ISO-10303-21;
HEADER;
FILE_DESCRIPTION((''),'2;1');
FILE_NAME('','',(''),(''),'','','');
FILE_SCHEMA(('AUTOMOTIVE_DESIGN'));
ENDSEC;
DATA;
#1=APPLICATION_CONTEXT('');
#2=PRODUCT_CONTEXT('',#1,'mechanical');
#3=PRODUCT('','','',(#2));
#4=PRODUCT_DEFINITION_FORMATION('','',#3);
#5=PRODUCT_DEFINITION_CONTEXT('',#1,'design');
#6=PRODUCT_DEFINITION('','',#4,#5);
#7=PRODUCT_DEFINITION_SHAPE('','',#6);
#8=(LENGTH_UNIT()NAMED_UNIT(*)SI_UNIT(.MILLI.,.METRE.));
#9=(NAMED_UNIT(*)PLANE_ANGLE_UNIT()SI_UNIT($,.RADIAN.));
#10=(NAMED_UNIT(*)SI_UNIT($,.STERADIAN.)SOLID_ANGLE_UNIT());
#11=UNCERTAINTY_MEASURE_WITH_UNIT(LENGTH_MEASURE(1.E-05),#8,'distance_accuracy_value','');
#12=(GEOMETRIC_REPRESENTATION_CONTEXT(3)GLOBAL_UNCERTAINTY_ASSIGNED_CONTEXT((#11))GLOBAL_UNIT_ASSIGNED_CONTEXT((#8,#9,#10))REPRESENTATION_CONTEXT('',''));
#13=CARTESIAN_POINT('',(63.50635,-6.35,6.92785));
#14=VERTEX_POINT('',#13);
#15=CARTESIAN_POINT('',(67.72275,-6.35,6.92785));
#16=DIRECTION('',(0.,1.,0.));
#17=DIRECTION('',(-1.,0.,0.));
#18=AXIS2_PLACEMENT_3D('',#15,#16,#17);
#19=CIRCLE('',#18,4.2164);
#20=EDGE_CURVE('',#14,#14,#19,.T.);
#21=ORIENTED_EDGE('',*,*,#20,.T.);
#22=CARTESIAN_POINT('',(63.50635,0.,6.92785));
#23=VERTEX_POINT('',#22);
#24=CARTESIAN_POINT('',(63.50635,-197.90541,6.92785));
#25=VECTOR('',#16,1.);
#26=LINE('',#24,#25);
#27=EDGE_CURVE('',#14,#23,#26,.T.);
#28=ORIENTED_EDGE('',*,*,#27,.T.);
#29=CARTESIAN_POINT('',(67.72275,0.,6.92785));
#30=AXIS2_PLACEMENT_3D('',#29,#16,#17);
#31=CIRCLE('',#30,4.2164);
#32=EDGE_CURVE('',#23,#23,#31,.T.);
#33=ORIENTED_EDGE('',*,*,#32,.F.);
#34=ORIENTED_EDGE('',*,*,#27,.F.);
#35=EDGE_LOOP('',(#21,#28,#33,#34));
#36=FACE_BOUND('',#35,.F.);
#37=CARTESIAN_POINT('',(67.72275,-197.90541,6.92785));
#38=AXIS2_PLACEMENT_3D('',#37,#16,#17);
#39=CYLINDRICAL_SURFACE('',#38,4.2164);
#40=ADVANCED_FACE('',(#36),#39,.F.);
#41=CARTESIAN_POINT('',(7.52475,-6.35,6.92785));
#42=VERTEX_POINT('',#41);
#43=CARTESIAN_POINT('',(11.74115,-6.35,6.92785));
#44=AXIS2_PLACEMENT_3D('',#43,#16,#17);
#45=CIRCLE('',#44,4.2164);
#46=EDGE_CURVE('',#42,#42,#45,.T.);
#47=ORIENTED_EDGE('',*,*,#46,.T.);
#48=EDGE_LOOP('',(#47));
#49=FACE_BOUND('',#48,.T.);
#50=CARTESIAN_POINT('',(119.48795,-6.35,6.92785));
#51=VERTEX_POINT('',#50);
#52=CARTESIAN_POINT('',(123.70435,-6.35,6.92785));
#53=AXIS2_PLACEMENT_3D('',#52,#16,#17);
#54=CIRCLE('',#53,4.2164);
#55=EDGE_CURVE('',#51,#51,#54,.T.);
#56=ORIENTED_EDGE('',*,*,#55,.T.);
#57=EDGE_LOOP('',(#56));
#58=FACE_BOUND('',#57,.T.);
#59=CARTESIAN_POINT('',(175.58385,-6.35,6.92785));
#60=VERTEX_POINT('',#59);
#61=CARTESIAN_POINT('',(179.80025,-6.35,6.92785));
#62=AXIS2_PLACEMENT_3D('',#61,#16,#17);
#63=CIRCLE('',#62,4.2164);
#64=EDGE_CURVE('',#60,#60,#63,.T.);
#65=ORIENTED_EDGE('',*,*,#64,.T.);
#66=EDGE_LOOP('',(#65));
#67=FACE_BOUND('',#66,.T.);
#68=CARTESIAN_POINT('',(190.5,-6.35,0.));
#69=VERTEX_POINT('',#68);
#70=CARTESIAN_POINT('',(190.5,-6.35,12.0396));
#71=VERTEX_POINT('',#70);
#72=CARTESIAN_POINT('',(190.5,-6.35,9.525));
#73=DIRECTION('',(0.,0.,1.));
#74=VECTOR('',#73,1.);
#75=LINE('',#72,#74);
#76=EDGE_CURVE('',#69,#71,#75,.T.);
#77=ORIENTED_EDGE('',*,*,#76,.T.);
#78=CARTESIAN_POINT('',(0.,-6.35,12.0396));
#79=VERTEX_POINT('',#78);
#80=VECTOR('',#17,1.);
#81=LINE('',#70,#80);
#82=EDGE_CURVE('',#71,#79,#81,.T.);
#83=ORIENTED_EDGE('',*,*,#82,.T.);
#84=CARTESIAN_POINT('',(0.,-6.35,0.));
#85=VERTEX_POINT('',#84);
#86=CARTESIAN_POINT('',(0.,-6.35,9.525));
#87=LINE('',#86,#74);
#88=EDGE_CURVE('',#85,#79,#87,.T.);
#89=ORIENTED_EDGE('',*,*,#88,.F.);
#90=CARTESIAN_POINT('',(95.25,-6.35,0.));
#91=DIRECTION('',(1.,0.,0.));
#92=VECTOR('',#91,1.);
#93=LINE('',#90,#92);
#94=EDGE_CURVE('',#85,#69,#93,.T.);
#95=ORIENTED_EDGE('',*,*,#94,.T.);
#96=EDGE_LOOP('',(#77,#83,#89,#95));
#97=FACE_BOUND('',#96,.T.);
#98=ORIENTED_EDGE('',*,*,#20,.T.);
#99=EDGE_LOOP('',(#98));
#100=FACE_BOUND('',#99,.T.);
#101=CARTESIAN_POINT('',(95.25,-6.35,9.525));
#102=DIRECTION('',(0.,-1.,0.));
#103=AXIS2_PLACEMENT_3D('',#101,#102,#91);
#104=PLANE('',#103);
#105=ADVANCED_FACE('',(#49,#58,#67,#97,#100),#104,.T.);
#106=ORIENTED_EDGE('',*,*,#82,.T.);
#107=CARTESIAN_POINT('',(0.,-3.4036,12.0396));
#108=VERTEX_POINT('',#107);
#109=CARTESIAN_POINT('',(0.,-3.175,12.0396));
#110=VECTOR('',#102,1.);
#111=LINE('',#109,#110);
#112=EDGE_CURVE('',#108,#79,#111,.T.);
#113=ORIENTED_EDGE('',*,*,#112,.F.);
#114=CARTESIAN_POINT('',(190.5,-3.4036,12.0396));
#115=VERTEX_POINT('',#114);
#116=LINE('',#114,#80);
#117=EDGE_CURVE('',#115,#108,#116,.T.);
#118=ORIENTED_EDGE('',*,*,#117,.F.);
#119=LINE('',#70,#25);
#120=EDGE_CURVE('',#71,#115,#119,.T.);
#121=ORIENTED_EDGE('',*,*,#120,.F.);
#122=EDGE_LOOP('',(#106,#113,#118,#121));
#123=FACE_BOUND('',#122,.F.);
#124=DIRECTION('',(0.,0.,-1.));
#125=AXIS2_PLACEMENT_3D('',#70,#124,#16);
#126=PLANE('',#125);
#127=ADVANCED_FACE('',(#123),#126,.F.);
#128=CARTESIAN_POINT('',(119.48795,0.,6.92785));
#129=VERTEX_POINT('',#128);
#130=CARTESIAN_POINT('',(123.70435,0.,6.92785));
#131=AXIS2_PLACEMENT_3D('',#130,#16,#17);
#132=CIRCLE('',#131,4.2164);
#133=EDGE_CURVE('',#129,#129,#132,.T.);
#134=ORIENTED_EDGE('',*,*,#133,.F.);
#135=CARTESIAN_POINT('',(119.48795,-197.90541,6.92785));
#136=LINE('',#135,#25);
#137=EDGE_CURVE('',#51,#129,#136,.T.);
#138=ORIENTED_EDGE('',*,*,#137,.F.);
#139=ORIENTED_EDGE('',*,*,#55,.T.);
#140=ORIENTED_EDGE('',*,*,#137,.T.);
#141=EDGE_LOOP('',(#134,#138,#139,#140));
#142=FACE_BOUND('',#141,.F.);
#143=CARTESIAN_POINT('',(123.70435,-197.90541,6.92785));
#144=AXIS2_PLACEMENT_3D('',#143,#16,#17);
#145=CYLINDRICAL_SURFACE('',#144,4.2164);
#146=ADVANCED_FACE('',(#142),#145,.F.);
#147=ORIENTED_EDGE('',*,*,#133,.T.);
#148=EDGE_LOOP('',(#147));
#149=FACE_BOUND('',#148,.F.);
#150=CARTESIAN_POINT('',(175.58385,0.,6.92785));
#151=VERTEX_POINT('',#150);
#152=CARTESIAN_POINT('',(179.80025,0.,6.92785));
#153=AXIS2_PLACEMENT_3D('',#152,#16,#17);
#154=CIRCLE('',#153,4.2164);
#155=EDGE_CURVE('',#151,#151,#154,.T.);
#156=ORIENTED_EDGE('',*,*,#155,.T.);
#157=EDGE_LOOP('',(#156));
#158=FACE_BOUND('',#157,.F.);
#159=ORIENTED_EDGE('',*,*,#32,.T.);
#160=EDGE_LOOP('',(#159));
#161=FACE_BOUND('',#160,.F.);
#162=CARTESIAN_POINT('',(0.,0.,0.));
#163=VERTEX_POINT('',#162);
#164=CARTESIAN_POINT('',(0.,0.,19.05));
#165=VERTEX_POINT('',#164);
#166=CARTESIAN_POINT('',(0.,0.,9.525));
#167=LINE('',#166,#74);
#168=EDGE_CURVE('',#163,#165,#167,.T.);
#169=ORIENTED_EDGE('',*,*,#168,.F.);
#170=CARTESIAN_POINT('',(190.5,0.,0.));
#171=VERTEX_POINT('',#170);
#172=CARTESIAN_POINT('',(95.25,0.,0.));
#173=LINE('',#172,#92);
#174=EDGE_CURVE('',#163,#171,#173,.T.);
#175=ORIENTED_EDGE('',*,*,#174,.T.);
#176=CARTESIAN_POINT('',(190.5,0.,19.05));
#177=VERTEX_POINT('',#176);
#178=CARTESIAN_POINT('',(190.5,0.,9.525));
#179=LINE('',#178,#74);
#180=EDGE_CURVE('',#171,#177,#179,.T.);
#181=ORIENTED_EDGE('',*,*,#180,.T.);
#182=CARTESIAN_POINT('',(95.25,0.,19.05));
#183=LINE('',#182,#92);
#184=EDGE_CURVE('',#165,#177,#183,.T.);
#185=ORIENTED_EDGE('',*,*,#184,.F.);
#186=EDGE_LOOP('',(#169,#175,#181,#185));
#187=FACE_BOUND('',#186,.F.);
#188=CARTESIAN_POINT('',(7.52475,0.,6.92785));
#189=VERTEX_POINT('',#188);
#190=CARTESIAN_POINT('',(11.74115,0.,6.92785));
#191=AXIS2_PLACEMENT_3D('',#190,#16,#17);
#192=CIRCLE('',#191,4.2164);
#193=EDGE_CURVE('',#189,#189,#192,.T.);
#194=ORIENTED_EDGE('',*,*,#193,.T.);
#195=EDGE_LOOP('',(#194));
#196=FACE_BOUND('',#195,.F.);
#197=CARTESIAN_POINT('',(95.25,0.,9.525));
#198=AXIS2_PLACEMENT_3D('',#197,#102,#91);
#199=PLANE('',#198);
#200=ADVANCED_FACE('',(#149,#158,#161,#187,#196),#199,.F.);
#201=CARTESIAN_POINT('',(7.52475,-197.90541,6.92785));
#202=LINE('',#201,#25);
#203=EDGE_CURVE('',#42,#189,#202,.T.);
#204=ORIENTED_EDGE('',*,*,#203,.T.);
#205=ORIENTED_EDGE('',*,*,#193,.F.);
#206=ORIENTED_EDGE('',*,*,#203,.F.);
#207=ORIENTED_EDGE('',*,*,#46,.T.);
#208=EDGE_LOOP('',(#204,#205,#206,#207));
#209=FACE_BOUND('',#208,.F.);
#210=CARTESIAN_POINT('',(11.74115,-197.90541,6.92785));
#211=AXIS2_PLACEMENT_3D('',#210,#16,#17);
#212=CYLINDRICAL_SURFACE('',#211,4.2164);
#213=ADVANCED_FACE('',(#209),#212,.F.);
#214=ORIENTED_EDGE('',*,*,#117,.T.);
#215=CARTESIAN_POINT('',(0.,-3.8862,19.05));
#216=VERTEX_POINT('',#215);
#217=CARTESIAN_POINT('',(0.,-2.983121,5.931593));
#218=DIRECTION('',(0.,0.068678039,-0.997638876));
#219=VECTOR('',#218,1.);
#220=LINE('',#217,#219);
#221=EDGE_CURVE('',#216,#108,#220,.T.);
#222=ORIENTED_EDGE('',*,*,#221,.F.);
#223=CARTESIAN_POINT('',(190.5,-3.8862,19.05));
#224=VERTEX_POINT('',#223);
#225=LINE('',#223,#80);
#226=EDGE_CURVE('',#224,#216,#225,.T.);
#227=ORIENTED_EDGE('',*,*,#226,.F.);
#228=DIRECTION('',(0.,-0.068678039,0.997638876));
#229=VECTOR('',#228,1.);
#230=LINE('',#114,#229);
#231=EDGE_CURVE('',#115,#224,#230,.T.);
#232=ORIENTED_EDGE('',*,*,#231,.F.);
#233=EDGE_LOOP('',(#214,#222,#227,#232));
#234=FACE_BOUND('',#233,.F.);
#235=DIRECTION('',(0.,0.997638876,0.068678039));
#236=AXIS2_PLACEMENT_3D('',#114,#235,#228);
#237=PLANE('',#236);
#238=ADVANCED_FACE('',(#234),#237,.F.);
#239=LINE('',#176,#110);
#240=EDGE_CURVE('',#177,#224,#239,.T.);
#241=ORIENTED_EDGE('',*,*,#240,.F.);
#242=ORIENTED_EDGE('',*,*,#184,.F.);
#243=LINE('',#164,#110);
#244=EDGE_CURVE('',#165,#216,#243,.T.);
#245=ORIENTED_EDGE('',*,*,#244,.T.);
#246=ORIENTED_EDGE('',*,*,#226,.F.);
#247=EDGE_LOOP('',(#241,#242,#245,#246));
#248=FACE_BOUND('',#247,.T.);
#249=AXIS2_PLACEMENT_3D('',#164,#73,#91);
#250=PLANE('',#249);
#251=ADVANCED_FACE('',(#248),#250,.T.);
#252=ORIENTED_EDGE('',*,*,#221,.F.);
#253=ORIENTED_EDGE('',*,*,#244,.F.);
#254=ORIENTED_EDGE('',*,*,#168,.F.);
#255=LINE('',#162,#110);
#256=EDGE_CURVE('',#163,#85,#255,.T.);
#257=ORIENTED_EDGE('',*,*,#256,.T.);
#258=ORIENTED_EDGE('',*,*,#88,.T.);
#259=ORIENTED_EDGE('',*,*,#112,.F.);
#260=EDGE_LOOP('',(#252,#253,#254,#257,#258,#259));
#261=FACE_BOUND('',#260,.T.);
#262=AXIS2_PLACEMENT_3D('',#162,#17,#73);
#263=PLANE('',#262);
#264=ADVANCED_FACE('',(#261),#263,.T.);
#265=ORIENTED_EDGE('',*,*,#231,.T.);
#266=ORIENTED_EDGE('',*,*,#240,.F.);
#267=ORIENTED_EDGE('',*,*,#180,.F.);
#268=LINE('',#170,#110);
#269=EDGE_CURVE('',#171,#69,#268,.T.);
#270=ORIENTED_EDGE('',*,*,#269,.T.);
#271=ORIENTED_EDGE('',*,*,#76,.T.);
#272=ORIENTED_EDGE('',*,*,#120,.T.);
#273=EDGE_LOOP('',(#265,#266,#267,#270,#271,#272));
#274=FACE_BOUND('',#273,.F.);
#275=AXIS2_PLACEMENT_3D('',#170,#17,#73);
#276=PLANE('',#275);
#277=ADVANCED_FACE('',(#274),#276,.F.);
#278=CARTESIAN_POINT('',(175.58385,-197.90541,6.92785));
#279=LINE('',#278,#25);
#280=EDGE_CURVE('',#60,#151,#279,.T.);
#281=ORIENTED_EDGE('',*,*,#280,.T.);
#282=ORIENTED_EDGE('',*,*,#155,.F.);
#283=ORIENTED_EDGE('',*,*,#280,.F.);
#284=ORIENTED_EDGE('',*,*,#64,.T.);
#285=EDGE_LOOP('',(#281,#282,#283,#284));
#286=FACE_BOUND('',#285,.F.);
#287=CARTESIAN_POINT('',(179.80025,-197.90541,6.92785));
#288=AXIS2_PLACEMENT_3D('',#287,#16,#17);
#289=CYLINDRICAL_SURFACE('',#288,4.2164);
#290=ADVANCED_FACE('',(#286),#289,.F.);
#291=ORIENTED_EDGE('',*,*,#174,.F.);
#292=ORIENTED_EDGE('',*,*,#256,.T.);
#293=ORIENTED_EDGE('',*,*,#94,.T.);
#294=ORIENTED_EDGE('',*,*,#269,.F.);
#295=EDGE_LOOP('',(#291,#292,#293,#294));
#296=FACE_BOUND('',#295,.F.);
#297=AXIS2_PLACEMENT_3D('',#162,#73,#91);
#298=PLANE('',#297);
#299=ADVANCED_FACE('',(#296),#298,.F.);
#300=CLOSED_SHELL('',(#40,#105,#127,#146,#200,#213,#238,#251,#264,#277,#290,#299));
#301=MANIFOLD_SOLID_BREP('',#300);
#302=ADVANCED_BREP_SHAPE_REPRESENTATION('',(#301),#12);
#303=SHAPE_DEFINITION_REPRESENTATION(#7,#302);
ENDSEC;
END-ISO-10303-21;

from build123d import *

# Parameters (mm, degrees)
F0_W     = 190.5
F0_H     = 19.05
F1_DEPTH = 6.35
F3_D     = 8.4328
F5_DEPTH = 190.501


with BuildPart() as f1:
    # F0 (on Front) → F1 (new body)
    with BuildSketch(Plane.XZ):
        with Locations((95.25, 9.525)):
            Rectangle(F0_W, F0_H)
    extrude(amount=F1_DEPTH)

    # F3 (through all)
    with Locations(Plane.XZ.offset(6.35)):
        with Locations((11.74115, 6.92785), (67.72275, 6.92785), (123.70435, 6.92785), (179.80025, 6.92785)):
            Hole(F3_D / 2)

    # F4 (on face) → F5 (cut, through all)
    with BuildSketch(Plane.YZ.offset(190.5)):
        Polygon((-6.35, 19.05), (-6.35, 12.0396), (-3.4036, 12.0396), (-3.8862, 19.05), align=None)
    extrude(amount=-F5_DEPTH, mode=Mode.SUBTRACT)


solid = f1.part
